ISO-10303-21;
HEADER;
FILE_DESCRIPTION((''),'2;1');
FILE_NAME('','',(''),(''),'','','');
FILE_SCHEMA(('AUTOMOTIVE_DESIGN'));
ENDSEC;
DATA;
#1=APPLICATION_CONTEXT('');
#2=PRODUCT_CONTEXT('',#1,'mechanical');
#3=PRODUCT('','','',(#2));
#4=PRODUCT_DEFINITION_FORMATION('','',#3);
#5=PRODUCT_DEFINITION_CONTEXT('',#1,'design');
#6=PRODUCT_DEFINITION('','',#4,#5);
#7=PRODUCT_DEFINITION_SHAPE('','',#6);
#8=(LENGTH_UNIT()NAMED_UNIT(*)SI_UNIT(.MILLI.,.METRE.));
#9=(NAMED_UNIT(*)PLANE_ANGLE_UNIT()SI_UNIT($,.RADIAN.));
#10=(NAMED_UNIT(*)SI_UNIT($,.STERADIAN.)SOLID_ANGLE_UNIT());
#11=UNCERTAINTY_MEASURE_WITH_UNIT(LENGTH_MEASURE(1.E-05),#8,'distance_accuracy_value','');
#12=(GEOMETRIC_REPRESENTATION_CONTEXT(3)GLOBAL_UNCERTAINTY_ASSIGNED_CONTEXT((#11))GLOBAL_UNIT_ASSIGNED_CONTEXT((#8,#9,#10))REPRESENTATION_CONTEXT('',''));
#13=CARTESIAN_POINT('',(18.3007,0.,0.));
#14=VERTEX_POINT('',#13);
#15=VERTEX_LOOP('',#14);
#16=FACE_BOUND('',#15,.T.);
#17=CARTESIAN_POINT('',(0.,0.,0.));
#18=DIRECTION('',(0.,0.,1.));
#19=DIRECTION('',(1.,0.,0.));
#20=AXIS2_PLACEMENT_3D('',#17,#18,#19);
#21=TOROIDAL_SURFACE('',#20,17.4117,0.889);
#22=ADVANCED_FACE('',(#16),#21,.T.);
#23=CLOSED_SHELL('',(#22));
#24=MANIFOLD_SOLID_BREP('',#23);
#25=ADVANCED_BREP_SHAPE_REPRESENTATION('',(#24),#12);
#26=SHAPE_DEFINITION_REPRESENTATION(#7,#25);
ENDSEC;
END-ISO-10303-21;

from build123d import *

# Parameters (mm, degrees)
SKETCH1_R = 0.889


with BuildPart() as part:
    # Sketch1 → Revolve1 (revolve)
    with BuildSketch(Plane(origin=(0, 0, 0), x_dir=(0, -1, 0), z_dir=(1, 0, 0)), mode=Mode.PRIVATE) as revolve1_sk:
        with Locations((17.4117, 0)):
            Circle(SKETCH1_R)
    revolve(revolve1_sk.sketch.rotate(Axis((0, 0, 0.889), (0, 0, -1)), 270), axis=Axis((0, 0, 0.889), (0, 0, -1)))


solid = part.part
